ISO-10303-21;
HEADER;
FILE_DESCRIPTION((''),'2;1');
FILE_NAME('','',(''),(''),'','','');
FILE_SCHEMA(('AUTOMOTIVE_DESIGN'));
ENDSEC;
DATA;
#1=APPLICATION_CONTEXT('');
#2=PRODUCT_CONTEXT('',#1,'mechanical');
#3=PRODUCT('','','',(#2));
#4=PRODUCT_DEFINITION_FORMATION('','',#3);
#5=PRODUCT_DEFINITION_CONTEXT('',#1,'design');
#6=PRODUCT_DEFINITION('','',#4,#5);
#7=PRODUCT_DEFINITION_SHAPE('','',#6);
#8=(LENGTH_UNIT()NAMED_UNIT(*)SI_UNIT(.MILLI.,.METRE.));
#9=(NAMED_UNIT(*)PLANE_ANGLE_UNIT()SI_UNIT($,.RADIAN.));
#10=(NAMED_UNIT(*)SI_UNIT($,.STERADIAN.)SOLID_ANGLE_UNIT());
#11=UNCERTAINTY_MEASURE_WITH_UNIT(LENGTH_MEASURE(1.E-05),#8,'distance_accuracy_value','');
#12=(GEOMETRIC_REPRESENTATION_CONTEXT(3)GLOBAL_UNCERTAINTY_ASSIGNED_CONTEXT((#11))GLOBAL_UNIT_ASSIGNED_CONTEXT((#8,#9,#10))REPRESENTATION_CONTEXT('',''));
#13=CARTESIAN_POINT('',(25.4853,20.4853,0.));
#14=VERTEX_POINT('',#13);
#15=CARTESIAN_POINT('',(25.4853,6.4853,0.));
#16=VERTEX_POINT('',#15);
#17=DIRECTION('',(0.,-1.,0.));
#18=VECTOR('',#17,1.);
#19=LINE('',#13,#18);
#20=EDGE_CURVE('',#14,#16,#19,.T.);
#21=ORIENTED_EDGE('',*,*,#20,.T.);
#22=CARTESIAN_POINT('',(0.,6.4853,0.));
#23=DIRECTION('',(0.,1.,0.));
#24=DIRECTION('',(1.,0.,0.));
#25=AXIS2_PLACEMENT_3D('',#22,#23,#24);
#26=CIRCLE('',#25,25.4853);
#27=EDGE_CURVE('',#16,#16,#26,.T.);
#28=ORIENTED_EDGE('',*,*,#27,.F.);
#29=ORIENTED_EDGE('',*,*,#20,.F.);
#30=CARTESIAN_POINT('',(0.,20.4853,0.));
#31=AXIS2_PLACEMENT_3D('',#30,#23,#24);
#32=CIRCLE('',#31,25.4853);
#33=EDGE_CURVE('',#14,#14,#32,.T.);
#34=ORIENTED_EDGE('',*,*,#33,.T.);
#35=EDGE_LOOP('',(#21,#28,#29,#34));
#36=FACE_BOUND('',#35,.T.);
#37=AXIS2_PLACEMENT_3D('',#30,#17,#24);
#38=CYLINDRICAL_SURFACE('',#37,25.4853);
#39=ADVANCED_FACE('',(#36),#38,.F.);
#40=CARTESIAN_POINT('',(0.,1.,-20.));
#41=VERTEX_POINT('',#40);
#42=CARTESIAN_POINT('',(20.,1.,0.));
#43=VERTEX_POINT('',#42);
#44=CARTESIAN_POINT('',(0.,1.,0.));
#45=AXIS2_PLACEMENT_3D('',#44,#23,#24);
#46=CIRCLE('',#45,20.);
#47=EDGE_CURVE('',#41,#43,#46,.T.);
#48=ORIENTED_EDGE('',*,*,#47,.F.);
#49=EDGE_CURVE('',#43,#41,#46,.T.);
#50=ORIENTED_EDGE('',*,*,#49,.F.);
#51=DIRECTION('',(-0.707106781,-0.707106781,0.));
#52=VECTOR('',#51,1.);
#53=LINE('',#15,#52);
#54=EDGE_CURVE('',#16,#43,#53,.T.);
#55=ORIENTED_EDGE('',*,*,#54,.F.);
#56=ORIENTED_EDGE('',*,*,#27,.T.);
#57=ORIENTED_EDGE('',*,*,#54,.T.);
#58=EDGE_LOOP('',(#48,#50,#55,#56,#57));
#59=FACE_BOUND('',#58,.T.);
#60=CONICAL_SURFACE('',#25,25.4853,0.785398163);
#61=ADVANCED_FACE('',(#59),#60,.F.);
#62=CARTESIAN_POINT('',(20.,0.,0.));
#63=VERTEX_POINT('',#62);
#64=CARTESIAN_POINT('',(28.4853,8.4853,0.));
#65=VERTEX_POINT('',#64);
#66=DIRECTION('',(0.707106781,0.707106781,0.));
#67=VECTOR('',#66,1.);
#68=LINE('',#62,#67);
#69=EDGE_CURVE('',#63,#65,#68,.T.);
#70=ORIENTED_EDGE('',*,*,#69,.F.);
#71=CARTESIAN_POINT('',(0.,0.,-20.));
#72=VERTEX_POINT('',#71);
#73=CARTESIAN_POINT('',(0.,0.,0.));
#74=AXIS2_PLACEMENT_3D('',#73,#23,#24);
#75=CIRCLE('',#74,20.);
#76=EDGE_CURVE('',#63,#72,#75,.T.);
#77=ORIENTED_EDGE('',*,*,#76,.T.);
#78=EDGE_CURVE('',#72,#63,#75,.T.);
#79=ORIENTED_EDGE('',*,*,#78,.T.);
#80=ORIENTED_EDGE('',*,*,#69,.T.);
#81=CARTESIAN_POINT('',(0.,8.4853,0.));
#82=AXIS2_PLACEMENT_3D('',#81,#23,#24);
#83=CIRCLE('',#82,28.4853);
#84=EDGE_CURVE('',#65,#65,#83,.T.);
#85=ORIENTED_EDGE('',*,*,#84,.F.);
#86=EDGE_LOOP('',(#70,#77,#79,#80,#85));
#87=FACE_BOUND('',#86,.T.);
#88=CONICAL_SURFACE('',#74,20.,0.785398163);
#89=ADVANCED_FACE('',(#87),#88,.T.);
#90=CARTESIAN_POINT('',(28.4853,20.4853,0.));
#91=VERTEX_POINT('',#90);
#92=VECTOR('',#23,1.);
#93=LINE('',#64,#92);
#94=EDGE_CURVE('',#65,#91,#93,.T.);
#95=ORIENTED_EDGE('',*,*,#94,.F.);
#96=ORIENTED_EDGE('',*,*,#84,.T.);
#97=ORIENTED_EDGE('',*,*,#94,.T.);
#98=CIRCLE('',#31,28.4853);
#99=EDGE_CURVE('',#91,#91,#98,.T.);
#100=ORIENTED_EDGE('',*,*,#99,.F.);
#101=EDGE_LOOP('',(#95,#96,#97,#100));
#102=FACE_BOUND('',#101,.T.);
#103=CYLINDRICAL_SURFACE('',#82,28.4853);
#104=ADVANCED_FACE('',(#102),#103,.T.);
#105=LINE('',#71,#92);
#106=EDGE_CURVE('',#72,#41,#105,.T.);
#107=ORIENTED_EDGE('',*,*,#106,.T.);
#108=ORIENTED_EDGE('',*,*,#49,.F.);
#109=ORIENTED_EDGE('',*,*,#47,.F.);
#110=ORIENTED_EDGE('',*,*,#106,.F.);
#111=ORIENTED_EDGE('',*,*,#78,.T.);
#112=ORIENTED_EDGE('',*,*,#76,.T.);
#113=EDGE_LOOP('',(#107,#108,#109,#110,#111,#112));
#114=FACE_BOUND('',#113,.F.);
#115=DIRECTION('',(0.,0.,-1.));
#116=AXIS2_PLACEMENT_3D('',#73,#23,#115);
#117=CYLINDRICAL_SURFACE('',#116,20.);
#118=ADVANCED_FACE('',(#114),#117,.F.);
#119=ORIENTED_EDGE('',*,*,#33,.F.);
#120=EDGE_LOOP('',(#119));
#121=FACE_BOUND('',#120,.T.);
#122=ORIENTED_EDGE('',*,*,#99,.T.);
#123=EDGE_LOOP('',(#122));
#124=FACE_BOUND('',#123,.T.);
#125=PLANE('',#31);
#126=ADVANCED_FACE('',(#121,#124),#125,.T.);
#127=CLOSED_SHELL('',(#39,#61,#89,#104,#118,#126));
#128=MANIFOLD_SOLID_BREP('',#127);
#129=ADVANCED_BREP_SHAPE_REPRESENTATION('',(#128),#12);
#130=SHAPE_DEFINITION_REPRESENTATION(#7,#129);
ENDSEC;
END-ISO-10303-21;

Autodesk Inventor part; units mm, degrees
ref_plane "YZ Plane" through (0, 0, 0) normal (1, 0, 0) x (0, 1, 0)
ref_plane "XZ Plane" through (0, 0, 0) normal (0, 1, 0) x (-1, 0, 0)
ref_plane "XY Plane" through (0, 0, 0) normal (0, 0, 1) x (1, 0, 0)
sketch "Sketch1" plane through (0, 0, 0) normal (0, 0, 1) x (1, 0, 0)
  line L0 (20, 0) -> (28.4853, 8.4853)
  line L1 (28.4853, 8.4853) -> (28.4853, 20.4853)
  line L2 (28.4853, 20.4853) -> (25.4853, 20.4853)
  line L3 (25.4853, 20.4853) -> (25.4853, 6.4853)
  line L4 (25.4853, 6.4853) -> (20, 1)
  line L5 (20, 1) -> (20, 0)
  line L6 (20, 0) -> (0, 0)
  line L7 (0, 0) -> (0, 1)
  line L8 (0, 1) -> (20, 1)
  dimension "d0" = 20
  dimension "d1" = 12
  dimension "d3" = 12
  dimension "d4" = 3
  dimension "d5" = 14
revolve "Revolution1" add sketch "Sketch1" angle 360 about axis through (0, 0, 0) along (0, 1, 0)
thread "Thread1" size "M52x1.5" class "6H" standard "ANSI Metric M Profile" full length
sketch "Sketch2" plane through (0, 0, 0) normal (0, -1, 0) x (1, 0, 0)
  point P0 (0, 0)
hole "Hole1" at (0, 0, 0) direction (0, 1, 0) diameter 40 end through all
properties part number "Part 1 of Focusrite Microphone"
